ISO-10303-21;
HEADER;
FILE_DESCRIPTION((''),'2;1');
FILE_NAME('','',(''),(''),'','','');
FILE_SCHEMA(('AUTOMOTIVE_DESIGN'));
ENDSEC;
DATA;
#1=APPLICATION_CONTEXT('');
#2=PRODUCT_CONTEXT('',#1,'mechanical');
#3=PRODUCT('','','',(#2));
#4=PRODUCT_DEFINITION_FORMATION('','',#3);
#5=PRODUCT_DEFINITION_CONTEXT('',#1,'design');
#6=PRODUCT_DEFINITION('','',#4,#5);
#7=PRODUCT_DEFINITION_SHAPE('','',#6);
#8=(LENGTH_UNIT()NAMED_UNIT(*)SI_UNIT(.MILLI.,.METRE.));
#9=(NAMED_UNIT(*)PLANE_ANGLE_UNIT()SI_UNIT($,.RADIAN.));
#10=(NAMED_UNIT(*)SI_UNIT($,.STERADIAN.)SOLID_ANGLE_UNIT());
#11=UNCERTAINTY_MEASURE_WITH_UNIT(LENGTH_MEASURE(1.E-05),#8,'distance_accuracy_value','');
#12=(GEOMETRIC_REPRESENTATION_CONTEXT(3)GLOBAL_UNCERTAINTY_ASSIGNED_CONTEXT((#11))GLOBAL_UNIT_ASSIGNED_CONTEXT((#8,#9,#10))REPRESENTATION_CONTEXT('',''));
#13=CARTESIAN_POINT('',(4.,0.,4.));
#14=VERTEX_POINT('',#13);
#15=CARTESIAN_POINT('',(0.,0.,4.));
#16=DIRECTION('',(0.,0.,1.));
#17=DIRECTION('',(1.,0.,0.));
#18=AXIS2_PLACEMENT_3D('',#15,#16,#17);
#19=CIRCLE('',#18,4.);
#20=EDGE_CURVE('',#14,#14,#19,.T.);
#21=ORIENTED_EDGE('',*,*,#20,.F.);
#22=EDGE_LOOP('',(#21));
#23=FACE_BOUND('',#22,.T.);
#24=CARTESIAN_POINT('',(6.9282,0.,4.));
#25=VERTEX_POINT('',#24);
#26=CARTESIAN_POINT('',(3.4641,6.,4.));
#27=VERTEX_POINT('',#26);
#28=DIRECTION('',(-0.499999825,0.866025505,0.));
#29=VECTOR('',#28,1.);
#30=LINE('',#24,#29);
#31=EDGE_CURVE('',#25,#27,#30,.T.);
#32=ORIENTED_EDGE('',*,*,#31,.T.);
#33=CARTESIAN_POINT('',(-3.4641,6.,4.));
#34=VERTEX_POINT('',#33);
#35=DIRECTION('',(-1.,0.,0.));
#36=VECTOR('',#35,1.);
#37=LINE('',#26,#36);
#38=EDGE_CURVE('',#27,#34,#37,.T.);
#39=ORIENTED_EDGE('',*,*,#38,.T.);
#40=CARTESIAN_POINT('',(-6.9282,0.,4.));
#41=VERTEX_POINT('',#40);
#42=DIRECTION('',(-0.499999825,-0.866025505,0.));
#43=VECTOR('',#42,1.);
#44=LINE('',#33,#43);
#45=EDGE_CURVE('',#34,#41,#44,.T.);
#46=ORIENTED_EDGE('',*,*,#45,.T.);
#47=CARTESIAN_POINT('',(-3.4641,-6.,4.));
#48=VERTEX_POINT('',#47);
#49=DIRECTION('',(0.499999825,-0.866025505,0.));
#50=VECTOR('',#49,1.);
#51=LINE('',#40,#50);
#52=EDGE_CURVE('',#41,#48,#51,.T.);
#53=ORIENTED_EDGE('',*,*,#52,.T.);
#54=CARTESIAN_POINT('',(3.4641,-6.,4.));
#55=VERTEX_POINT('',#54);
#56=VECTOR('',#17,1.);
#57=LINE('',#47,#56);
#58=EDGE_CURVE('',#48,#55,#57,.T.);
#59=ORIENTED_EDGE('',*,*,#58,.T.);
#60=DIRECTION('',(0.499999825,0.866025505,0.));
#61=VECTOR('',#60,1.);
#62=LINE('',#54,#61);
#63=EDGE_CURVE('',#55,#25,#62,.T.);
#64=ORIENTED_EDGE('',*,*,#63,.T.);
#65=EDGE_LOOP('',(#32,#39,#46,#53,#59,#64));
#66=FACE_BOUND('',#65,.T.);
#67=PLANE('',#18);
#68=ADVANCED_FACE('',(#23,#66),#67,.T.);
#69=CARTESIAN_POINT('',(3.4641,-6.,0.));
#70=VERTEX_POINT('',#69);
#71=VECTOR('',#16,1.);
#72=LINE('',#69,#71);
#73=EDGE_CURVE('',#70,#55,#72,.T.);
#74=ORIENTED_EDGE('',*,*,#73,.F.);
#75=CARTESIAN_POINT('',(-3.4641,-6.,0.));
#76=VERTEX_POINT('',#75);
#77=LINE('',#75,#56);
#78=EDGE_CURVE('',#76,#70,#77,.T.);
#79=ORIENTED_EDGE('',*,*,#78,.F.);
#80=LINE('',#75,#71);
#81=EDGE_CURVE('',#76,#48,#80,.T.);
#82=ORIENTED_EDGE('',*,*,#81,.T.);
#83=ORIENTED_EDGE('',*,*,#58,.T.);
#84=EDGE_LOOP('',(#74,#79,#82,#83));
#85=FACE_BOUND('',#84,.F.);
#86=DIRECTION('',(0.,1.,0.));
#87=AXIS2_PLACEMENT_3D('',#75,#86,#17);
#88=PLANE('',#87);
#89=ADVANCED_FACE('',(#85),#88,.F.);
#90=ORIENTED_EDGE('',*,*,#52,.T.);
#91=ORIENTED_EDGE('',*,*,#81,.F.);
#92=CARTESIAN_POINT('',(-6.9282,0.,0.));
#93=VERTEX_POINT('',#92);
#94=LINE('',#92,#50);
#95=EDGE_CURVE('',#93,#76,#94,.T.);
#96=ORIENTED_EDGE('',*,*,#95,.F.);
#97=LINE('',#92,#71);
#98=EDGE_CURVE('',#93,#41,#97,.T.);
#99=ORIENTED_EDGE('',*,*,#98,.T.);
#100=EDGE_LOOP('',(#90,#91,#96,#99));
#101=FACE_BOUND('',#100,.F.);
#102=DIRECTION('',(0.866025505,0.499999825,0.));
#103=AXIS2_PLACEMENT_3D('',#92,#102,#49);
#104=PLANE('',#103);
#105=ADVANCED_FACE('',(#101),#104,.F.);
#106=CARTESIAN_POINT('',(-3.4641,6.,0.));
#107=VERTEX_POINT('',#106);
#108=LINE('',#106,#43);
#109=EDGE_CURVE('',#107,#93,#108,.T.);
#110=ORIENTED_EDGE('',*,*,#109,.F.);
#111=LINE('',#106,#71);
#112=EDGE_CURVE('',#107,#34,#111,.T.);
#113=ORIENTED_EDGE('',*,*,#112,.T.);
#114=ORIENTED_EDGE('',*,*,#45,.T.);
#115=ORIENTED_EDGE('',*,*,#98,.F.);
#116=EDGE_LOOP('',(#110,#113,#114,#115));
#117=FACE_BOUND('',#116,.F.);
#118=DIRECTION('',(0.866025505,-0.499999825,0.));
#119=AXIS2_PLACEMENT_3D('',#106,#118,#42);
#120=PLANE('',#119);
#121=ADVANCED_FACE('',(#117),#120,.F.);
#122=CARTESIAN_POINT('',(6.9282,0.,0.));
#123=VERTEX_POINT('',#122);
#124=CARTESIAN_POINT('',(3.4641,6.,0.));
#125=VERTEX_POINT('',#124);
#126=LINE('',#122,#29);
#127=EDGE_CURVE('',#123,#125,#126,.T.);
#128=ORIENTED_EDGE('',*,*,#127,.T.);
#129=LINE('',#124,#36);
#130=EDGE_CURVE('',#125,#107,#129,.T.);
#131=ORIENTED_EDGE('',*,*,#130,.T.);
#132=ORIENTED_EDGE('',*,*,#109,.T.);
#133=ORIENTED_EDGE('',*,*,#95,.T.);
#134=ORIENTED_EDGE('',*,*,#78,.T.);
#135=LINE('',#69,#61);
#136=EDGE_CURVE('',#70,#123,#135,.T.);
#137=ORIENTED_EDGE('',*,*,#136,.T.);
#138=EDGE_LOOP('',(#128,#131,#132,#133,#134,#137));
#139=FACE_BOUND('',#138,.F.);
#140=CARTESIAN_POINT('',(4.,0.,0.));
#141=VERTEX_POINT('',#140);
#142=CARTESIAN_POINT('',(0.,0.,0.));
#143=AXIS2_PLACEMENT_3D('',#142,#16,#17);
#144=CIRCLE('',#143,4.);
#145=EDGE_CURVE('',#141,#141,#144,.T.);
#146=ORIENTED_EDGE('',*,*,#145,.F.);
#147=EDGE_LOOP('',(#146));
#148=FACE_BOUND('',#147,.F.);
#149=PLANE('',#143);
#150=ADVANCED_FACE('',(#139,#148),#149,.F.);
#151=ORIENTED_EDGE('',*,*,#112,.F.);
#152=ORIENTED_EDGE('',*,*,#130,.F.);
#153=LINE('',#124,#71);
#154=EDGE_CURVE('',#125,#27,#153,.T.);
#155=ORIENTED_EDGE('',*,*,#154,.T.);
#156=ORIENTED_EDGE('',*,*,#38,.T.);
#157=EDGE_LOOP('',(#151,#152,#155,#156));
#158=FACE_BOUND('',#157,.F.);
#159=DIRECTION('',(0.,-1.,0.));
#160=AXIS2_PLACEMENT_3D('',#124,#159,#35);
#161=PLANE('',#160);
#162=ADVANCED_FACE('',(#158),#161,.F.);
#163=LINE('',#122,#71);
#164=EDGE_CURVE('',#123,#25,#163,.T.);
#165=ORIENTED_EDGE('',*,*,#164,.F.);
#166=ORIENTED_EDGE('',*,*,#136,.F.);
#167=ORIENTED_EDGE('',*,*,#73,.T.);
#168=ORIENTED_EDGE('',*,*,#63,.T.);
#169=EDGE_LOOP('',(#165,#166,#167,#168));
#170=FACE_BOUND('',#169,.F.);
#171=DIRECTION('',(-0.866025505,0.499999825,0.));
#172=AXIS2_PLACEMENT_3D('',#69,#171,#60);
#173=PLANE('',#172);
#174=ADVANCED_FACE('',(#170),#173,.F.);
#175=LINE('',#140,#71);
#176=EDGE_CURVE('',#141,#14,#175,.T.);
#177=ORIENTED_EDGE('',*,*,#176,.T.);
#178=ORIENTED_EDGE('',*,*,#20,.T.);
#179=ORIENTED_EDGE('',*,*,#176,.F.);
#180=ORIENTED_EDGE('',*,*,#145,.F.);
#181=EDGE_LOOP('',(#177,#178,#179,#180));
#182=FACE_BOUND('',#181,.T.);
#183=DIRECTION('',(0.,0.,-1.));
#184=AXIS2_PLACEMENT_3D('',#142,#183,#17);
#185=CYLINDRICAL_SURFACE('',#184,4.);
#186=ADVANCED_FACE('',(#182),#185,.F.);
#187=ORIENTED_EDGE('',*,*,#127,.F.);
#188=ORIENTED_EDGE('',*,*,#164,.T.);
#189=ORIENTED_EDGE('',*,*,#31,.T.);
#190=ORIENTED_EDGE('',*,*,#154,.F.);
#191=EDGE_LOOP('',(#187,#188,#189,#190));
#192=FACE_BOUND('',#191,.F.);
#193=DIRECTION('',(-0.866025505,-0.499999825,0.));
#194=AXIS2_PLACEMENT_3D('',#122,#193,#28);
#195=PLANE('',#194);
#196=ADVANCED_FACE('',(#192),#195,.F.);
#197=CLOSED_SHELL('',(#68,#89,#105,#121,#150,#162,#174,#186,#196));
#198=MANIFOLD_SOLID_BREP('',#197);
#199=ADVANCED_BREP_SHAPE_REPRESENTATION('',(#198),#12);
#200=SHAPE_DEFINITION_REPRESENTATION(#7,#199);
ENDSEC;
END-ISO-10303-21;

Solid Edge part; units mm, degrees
sketch "Sketch1" plane through (0, 0, 0) normal (0, 0, 1) x (1, 0, 0)
  line L0 (-3.4641, 6) -> (-6.9282, 0)
  line L1 (-6.9282, 0) -> (-3.4641, -6)
  line L2 (-3.4641, -6) -> (3.4641, -6)
  line L3 (3.4641, -6) -> (6.9282, 0)
  line L4 (6.9282, 0) -> (3.4641, 6)
  line L5 (3.4641, 6) -> (-3.4641, 6)
  circle A0 centre (0, 0) radius 4
extrude "Protrusion1" add sketch "Sketch1" along normal blind 4
